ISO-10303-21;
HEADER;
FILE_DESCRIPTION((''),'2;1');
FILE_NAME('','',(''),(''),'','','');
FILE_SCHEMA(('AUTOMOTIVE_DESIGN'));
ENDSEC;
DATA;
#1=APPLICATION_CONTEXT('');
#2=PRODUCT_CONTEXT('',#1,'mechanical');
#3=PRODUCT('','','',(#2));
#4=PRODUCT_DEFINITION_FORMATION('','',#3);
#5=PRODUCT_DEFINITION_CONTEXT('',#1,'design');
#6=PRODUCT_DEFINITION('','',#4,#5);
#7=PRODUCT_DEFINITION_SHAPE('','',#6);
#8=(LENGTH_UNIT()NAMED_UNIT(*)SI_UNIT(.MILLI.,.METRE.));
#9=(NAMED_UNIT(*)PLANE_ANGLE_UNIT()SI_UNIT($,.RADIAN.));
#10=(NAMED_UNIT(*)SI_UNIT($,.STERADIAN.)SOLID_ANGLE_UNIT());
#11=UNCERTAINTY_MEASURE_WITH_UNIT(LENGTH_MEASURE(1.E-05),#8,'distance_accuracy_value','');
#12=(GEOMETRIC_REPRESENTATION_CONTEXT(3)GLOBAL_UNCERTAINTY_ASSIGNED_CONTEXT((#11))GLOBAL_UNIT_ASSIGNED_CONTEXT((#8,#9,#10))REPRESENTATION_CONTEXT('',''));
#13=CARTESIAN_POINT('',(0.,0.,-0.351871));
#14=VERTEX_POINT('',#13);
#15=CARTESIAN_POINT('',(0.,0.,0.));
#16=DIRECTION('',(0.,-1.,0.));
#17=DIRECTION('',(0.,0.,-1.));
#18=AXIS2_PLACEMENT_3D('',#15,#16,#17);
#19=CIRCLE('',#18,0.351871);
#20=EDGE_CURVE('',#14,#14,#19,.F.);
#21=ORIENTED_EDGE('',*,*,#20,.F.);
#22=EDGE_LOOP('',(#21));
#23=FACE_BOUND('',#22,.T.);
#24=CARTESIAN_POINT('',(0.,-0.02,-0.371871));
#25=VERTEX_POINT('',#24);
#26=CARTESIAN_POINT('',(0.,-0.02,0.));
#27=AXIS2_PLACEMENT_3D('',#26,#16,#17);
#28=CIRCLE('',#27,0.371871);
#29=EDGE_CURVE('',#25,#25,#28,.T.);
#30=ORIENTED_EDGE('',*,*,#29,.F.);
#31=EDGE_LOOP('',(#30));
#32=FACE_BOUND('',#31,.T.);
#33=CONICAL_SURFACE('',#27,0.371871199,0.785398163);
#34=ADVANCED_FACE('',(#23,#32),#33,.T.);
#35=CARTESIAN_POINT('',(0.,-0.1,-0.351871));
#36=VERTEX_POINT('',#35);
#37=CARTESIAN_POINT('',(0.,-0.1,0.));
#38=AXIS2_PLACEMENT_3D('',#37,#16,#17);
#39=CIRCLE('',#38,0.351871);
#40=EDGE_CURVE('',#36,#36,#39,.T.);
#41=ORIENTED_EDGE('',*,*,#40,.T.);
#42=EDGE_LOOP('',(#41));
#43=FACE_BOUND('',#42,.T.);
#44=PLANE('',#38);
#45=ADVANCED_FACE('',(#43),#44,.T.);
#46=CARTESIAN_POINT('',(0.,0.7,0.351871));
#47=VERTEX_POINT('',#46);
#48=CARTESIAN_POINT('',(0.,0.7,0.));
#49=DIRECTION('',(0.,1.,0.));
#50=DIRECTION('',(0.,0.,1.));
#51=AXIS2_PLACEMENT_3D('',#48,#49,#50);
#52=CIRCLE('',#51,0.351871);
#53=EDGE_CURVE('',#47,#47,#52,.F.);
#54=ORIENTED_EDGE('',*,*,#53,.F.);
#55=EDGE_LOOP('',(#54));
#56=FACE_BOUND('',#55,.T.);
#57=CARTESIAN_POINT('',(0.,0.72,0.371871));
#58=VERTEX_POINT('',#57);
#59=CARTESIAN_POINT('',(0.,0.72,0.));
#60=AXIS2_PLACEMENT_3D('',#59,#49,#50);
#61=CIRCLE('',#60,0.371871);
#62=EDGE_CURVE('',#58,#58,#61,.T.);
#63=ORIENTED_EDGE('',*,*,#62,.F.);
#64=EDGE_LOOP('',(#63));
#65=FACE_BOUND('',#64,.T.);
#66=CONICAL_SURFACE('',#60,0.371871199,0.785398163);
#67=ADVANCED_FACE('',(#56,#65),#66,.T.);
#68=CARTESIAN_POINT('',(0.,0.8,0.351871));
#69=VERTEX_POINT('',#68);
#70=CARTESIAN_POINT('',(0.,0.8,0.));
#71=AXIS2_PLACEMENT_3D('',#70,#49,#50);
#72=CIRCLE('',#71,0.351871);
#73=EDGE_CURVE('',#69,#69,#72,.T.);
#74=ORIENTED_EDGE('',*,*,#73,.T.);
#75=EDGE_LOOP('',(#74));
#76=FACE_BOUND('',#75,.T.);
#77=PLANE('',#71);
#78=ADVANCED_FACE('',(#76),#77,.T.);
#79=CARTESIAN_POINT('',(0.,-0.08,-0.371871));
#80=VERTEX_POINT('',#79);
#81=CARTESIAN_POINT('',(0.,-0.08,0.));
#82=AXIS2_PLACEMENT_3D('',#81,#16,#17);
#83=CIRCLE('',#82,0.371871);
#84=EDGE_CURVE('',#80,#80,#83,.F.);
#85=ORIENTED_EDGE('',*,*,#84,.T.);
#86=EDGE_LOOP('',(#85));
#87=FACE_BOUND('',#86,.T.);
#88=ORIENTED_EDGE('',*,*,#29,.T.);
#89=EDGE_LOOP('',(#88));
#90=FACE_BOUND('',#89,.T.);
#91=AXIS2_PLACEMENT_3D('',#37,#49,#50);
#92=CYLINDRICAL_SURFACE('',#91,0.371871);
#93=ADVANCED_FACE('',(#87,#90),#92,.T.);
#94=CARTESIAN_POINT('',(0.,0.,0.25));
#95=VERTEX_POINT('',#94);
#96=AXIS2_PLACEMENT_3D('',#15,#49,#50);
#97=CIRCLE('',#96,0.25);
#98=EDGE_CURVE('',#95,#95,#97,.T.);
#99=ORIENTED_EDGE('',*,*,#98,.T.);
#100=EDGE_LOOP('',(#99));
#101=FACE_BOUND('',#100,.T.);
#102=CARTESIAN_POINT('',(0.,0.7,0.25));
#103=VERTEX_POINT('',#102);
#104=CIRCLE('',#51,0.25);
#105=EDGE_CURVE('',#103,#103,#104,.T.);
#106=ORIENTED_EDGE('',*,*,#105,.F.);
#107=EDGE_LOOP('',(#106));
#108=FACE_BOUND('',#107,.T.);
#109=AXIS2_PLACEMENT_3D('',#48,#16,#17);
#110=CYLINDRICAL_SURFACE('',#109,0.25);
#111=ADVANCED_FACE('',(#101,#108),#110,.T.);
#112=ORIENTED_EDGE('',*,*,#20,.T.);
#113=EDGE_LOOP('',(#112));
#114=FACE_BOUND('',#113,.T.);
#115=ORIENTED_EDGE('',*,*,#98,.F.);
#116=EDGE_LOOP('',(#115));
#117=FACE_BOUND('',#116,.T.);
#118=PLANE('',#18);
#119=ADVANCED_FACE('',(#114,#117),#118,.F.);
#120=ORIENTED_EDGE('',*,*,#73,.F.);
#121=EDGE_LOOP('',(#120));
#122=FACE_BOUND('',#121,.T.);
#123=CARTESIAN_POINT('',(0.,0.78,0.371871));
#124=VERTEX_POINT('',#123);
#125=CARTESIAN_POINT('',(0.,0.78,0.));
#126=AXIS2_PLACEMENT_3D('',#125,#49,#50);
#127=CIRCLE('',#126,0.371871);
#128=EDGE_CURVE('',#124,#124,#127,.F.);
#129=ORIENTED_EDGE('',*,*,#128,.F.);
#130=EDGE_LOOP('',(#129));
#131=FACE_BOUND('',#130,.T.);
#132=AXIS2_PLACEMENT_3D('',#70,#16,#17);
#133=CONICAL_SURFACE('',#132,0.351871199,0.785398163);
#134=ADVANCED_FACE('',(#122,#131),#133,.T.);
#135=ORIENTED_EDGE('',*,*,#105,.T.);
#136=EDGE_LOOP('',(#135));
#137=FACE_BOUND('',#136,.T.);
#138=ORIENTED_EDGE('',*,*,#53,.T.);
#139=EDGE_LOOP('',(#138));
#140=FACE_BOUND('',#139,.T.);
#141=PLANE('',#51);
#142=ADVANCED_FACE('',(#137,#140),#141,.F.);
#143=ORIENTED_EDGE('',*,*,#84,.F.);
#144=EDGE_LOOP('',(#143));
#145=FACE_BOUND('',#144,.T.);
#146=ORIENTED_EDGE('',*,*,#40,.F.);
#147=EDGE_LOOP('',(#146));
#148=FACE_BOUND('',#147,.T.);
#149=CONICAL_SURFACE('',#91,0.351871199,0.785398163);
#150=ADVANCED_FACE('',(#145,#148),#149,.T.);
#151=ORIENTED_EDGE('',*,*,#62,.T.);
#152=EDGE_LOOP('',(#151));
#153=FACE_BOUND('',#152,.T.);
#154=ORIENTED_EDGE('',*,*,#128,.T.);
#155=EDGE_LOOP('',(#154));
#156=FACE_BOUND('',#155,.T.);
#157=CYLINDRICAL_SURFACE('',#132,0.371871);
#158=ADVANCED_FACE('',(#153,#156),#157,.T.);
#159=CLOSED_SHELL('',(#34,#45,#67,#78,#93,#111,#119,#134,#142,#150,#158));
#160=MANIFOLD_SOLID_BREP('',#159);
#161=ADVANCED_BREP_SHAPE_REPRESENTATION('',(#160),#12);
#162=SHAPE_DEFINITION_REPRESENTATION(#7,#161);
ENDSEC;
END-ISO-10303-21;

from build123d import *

# Parameters (mm, degrees)
SKETCH2_R           = 0.25
BOSS_EXTRUDE1_DEPTH = 0.7
SKETCH3_R           = 0.371871199
BOSS_EXTRUDE2_DEPTH = 0.1
SKETCH4_R           = 0.371871199
BOSS_EXTRUDE3_DEPTH = 0.1
CHAMFER1_SIZE       = 0.02
CHAMFER2_SIZE       = 0.02
CHAMFER3_SIZE       = 0.02


with BuildPart() as part:
    # Sketch2 → Boss-Extrude1 (new body)
    with BuildSketch(Plane(origin=(0, 0, 0), x_dir=(1, 0, 0), z_dir=(0, 1, 0))):
        Circle(SKETCH2_R)
    extrude(amount=BOSS_EXTRUDE1_DEPTH)

    # Sketch3 → Boss-Extrude2 (add)
    with BuildSketch(Plane(origin=(0, 0.7, 0), x_dir=(1, 0, 0), z_dir=(0, 1, 0))):
        Circle(SKETCH3_R)
    extrude(amount=BOSS_EXTRUDE2_DEPTH)

    # Sketch4 → Boss-Extrude3 (add)
    with BuildSketch(Plane.XZ):
        Circle(SKETCH4_R)
    extrude(amount=BOSS_EXTRUDE3_DEPTH)

    # Chamfer1
    chamfer1_edges = [part.edges().sort_by_distance(p)[0] for p in [
        (-0.371871199, 0.8, 0),
    ]]
    chamfer(chamfer1_edges, length=CHAMFER1_SIZE)

    # Chamfer2
    chamfer2_edges = [part.edges().sort_by_distance(p)[0] for p in [
        (-0.371871199, 0.7, 0),
        (-0.371871199, 0, 0),
    ]]
    chamfer(chamfer2_edges, length=CHAMFER2_SIZE)

    # Chamfer3
    chamfer3_edges = [part.edges().sort_by_distance(p)[0] for p in [
        (-0.371871199, -0.1, 0),
    ]]
    chamfer(chamfer3_edges, length=CHAMFER3_SIZE)


solid = part.part
